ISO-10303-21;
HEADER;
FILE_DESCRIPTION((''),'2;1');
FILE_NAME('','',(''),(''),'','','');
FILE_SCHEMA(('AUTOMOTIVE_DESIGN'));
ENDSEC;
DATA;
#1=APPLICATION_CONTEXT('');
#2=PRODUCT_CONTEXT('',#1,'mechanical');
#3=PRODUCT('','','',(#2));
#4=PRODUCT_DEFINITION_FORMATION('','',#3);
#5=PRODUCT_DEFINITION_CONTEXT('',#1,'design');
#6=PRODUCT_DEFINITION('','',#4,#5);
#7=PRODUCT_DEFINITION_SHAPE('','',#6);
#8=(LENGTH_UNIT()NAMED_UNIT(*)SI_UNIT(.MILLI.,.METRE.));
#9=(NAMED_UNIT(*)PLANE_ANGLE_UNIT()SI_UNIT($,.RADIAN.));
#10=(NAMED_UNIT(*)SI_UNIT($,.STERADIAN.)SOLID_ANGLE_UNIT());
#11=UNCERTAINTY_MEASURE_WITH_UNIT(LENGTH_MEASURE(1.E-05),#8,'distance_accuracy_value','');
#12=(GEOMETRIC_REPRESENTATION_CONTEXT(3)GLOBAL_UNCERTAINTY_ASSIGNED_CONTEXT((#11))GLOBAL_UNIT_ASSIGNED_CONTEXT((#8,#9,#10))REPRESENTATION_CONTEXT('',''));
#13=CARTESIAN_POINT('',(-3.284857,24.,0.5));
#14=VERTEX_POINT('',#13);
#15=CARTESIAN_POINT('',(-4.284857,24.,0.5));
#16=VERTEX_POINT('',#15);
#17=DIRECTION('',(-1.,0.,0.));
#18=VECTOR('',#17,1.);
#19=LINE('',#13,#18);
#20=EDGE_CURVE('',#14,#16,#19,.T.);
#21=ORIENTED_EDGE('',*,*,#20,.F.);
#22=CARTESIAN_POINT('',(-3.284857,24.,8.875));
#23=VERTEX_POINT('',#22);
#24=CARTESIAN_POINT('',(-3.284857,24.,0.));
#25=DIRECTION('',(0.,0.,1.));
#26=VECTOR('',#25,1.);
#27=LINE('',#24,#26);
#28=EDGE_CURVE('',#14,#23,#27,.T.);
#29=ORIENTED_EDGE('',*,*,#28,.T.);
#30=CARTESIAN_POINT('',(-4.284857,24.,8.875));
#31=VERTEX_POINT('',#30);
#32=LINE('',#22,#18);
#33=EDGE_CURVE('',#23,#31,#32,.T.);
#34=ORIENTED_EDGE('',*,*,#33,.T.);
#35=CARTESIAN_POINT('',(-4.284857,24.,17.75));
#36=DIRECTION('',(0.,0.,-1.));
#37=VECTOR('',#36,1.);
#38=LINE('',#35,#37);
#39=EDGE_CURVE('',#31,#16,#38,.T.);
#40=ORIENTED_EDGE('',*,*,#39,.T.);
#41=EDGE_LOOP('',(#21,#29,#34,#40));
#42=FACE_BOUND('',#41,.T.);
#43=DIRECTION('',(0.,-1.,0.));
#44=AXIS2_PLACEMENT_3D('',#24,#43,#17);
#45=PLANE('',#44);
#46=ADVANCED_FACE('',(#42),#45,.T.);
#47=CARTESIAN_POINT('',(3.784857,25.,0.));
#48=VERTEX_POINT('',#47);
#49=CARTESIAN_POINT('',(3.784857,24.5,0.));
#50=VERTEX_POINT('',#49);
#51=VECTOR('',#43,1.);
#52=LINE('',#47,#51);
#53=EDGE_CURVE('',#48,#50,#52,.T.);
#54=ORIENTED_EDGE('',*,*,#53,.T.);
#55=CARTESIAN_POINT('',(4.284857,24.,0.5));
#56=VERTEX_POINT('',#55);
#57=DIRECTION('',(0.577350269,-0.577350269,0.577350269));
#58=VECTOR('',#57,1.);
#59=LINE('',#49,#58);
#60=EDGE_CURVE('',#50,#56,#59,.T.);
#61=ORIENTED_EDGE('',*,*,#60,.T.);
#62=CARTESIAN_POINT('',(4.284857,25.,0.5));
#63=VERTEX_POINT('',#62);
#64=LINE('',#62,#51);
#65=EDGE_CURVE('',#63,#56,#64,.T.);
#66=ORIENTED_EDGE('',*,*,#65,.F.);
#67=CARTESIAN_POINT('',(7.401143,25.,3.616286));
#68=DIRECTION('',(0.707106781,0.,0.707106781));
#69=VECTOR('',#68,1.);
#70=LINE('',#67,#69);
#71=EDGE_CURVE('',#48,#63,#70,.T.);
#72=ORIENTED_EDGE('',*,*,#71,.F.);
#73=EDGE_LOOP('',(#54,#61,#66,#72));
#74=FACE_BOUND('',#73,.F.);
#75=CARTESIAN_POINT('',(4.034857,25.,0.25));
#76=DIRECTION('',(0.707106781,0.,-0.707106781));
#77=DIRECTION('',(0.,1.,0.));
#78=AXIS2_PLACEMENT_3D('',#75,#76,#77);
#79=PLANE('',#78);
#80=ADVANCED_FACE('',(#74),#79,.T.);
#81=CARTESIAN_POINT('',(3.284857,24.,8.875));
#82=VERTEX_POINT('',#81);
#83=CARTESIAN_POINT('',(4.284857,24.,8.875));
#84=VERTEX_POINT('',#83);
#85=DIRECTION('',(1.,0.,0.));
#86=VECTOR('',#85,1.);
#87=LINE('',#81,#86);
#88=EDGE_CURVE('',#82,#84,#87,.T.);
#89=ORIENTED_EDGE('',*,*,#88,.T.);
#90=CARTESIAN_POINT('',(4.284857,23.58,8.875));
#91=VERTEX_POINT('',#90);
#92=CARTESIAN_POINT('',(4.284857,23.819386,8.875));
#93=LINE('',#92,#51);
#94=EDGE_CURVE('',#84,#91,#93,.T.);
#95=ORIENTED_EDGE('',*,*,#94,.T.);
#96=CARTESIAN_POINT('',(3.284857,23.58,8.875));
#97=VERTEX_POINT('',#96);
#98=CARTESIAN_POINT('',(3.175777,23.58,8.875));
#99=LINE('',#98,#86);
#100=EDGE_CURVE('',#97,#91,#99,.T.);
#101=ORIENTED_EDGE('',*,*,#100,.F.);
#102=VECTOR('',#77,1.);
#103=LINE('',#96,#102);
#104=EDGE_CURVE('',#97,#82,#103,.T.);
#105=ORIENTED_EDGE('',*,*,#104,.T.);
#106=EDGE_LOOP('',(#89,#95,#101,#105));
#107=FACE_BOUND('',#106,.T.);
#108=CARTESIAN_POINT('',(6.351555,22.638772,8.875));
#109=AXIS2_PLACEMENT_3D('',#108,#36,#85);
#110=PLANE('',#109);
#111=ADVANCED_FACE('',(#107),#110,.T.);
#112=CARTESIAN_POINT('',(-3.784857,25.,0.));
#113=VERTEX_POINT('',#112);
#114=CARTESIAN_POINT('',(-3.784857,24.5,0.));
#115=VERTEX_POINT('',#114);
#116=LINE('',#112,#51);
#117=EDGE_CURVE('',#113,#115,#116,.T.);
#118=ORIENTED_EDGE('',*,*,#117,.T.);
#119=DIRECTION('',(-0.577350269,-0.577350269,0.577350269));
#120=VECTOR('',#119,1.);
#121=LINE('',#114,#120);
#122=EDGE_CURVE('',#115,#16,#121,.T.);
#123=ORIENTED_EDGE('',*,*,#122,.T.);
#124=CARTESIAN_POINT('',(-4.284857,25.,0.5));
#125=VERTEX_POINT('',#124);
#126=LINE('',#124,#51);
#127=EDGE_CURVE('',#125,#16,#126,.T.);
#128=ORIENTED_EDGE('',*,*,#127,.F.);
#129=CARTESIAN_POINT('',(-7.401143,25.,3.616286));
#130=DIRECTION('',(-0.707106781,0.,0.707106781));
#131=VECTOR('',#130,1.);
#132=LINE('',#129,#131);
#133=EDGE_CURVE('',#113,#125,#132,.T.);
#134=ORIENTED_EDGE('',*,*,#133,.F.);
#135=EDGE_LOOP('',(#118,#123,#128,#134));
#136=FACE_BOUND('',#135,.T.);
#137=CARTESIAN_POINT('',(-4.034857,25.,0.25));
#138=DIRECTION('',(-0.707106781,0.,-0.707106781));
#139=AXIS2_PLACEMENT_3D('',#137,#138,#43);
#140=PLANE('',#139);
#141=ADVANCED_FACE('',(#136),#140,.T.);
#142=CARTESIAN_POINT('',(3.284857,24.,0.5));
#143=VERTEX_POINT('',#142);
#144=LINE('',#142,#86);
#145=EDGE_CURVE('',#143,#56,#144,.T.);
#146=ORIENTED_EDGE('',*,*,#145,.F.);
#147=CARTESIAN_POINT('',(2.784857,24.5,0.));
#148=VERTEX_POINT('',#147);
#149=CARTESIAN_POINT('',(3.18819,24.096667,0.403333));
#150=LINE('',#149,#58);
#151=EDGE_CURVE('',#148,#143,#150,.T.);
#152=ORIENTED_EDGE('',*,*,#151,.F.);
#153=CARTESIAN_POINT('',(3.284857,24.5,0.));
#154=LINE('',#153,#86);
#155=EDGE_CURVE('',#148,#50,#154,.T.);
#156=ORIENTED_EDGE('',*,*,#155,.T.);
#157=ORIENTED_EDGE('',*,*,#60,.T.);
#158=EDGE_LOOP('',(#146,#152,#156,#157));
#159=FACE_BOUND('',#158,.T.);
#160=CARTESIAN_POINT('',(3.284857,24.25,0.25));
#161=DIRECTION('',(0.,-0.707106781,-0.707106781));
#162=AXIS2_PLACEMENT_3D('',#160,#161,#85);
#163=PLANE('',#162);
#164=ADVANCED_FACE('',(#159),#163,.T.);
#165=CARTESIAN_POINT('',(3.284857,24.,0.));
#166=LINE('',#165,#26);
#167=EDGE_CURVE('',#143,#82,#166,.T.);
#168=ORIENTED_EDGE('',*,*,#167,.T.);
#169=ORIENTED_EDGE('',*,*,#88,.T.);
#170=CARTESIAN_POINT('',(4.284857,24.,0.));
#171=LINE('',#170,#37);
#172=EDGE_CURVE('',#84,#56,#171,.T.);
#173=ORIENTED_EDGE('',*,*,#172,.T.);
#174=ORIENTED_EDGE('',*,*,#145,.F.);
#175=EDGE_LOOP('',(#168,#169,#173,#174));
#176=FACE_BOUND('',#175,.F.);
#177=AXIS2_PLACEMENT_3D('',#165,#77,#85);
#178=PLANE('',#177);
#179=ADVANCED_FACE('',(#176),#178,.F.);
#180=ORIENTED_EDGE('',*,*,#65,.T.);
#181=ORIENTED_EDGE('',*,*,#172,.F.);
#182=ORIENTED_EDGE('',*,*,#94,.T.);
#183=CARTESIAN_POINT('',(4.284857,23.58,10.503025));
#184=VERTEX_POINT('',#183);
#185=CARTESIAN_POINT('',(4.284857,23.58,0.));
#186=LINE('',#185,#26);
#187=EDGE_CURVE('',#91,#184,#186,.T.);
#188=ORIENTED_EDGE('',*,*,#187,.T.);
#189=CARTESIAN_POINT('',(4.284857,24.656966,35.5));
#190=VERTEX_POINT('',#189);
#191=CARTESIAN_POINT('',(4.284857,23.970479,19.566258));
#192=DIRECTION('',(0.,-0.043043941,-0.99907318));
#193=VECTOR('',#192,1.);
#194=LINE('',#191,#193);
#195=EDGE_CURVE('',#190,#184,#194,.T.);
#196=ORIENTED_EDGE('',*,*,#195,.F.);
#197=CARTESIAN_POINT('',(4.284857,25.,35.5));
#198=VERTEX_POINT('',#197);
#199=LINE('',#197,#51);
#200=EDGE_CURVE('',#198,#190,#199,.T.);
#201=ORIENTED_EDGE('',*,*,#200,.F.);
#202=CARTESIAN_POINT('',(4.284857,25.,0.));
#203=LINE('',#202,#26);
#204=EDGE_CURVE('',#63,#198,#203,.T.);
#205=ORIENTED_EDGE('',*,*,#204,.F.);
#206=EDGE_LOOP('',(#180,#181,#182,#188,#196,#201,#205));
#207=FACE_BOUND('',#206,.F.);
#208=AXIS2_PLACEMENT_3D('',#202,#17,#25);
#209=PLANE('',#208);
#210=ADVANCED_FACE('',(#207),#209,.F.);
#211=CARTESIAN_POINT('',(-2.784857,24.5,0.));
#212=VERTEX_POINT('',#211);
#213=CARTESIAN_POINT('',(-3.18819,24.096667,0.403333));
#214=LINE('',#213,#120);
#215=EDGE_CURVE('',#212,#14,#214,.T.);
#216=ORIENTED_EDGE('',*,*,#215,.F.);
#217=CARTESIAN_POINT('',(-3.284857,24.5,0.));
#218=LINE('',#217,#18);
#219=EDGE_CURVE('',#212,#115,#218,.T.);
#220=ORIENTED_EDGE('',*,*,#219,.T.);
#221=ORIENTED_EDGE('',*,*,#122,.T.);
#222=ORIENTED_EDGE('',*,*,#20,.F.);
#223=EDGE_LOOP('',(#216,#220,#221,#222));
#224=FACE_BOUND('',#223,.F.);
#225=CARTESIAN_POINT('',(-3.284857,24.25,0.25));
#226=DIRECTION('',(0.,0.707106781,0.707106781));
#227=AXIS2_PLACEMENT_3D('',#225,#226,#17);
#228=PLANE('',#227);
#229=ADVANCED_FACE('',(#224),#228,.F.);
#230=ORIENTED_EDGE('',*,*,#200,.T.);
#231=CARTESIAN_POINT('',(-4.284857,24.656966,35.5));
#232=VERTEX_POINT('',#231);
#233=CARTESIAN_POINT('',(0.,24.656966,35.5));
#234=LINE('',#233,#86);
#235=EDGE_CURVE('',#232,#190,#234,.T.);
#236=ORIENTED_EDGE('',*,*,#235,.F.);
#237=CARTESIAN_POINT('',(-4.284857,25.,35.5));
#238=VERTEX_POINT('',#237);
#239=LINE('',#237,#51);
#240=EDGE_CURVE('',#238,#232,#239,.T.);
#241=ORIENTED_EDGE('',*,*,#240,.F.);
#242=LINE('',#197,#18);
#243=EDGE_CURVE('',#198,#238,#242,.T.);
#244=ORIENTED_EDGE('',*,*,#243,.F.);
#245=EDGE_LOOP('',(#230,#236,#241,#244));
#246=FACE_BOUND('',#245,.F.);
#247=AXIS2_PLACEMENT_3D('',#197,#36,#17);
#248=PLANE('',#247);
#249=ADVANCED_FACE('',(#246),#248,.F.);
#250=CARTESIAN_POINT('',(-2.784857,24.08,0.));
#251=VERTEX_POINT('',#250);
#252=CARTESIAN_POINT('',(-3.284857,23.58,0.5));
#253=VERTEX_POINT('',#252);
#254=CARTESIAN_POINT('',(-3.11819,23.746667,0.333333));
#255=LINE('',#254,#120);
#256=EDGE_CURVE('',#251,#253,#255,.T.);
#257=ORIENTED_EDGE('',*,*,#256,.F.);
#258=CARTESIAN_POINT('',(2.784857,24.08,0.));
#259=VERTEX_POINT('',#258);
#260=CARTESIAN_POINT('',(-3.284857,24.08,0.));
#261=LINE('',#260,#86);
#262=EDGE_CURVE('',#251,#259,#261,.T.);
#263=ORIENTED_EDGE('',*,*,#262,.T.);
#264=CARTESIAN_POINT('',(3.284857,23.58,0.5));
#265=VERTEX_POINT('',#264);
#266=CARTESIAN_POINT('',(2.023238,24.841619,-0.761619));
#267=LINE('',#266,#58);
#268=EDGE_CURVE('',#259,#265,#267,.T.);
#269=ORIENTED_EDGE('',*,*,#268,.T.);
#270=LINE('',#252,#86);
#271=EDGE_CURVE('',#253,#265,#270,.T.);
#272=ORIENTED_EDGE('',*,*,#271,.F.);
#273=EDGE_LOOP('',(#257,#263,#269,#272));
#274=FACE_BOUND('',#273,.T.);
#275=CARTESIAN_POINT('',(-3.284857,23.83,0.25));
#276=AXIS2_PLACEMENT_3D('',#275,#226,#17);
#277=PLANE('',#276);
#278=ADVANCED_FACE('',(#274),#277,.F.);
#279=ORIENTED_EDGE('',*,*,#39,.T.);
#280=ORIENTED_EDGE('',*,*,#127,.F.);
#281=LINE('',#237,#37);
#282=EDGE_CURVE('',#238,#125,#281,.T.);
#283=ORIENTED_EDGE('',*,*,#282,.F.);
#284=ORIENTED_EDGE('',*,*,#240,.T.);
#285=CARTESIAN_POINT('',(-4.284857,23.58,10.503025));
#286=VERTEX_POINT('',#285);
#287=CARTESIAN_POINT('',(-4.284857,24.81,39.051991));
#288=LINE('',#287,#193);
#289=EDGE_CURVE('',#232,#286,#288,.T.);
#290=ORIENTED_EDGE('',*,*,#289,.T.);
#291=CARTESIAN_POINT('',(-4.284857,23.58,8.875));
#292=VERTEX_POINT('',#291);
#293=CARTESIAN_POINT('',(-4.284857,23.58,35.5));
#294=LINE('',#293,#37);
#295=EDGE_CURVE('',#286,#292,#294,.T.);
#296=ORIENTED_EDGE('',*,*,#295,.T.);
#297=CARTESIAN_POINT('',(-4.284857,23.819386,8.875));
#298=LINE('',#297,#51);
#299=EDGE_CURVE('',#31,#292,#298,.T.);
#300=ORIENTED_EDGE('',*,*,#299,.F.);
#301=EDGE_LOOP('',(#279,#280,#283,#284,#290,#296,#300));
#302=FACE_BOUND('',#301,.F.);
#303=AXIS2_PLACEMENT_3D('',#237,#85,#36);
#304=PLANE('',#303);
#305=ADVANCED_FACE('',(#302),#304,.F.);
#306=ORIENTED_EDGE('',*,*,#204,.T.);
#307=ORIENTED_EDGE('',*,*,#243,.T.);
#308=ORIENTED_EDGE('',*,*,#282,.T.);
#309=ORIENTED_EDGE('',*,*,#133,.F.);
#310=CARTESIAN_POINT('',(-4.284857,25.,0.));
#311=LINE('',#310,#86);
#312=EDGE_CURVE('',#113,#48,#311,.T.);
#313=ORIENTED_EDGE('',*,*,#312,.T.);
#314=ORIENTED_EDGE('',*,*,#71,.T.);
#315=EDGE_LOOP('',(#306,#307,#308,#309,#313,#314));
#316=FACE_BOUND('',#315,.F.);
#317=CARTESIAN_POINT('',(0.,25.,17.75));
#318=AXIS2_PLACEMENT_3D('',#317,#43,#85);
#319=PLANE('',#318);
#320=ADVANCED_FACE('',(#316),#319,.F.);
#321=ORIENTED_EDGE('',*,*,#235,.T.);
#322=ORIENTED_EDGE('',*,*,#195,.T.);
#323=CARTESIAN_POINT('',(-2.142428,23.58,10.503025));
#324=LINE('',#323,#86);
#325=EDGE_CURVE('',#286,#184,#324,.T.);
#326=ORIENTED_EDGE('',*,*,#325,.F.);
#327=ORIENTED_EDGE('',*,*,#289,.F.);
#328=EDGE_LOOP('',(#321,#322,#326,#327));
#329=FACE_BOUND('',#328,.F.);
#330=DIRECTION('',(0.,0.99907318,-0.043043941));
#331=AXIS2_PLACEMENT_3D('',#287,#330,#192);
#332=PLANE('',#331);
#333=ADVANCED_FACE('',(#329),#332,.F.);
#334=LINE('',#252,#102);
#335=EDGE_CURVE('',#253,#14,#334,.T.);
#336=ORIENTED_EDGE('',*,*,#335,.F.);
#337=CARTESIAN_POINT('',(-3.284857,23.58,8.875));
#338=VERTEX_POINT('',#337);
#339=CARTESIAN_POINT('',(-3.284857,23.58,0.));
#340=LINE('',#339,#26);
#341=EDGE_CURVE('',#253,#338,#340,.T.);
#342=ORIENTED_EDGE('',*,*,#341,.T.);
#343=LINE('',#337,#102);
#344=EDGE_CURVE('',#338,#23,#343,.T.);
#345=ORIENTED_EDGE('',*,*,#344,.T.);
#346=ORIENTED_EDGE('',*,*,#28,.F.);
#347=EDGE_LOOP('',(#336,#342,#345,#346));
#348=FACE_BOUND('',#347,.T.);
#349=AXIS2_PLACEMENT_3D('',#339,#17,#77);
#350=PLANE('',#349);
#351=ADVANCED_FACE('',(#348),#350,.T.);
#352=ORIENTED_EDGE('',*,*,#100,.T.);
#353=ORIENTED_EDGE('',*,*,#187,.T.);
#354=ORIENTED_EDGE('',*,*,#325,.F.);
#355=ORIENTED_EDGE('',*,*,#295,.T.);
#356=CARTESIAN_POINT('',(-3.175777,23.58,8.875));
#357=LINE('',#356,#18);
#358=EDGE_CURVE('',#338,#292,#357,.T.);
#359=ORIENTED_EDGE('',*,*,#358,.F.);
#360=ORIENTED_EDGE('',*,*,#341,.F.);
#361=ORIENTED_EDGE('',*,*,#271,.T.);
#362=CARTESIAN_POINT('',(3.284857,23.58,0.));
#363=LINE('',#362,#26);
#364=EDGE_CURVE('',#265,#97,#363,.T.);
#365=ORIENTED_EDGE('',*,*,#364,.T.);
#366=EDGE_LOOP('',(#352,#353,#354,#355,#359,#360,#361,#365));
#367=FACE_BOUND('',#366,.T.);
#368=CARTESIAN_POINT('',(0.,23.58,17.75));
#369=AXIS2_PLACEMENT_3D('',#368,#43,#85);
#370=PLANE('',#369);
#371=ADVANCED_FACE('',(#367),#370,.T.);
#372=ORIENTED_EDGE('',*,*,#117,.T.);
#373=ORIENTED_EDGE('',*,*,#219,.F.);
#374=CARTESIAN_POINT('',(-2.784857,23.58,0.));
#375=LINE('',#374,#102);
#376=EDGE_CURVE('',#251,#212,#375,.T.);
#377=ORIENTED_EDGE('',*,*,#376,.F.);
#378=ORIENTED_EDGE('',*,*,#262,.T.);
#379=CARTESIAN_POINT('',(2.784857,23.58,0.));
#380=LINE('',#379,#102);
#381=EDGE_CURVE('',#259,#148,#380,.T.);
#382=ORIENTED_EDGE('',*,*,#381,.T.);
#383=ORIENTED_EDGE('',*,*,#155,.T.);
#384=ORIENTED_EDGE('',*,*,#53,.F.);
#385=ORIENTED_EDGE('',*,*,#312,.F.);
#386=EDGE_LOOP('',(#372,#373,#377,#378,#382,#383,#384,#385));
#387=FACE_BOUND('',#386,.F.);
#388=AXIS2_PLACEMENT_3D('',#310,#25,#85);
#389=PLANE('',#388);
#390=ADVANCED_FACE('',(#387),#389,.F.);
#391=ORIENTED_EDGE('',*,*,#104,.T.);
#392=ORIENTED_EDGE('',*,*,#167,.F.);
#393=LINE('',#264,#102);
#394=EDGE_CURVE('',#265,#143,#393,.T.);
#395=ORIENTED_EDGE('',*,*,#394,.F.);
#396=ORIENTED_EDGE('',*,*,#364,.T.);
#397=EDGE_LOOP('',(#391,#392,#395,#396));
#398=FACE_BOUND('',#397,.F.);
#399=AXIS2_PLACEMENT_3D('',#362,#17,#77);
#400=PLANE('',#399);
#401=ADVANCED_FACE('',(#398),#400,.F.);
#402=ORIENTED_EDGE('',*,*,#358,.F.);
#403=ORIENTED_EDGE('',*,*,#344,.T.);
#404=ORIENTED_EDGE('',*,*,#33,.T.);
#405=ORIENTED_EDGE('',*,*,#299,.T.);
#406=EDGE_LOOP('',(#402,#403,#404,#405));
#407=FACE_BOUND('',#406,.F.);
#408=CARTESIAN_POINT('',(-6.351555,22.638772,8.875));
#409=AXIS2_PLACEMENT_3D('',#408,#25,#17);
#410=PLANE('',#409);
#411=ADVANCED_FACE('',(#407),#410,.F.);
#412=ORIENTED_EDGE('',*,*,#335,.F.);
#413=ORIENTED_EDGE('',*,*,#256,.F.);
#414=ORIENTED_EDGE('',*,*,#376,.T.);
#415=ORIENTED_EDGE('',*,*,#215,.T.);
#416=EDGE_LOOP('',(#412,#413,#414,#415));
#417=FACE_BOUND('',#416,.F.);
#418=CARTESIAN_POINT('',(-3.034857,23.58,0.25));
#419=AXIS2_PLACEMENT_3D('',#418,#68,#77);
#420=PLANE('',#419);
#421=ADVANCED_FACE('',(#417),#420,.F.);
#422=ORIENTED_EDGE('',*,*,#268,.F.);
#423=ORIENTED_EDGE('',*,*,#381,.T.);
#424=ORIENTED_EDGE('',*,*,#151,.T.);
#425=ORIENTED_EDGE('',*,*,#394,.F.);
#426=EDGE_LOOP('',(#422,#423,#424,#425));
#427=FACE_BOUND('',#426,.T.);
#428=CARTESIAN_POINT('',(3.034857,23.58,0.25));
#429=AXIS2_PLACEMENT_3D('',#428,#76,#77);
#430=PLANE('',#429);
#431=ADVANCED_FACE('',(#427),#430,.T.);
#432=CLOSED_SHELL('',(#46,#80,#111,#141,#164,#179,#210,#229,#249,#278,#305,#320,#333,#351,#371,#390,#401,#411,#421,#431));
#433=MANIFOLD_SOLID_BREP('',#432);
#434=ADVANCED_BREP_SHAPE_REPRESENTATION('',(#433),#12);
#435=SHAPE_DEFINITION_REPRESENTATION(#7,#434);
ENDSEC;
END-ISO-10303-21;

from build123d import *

# Parameters (mm, degrees)
PAD003_DEPTH    = 1.42
POCKET004_DEPTH = 8.875
POCKET005_DEPTH = 8.570714
CHAMFER002_SIZE = 0.5


with BuildPart() as part:
    # Sketch010 → Pad003 (new body)
    with BuildSketch(Plane.XZ):
        Polygon((-4.284857, 0), (4.284857, 0), (4.284857, 8.875), (4.284857, 35.5), (-4.284857, 35.5), (-4.284857, 8.875), align=None)
    extrude(amount=PAD003_DEPTH)

    # Sketch011 (on Face1 of Pad003) → Pocket004 (cut)
    with BuildSketch(Plane(origin=(0, 0, 0), x_dir=(1, 0, 0), z_dir=(0, 0, -1))):
        Polygon((-3.284857, 1.42), (-3.284857, 1), (-8.284857, 1), (-8.284857, 4.921038), align=None)
        Polygon((8.284857, 4.921038), (3.284857, 1.42), (3.284857, 1), (8.284857, 1), align=None)
    extrude(amount=-POCKET004_DEPTH, mode=Mode.SUBTRACT)

    # Sketch012 (on Face9 of Pocket004) → Pocket005 (cut, through all)
    with BuildSketch(Plane(origin=(-4.284857, 0, 0), x_dir=(0, 0, -1), z_dir=(-1, 0, 0))):
        Polygon((-39.051991, 0.19), (-10.038814, 1.44), (-39.051991, 14.02), align=None)
    extrude(amount=-POCKET005_DEPTH, mode=Mode.SUBTRACT)

    # Chamfer002
    chamfer002_edges = [part.edges().sort_by_distance(p)[0] for p in [
        (-3.784857, -1, 0),
        (-3.284857, -1.21, 0),
        (0, -1.42, 0),
        (3.284857, -1.21, 0),
        (3.784857, -1, 0),
        (-4.284857, -0.5, 0),
        (4.284857, -0.5, 0),
    ]]
    chamfer(chamfer002_edges, length=CHAMFER002_SIZE)


with BuildPart() as part_1:
    # Body001 placement: moved
    add(part.part.moved(Location((0, 25, 0))))


solid = part_1.part
